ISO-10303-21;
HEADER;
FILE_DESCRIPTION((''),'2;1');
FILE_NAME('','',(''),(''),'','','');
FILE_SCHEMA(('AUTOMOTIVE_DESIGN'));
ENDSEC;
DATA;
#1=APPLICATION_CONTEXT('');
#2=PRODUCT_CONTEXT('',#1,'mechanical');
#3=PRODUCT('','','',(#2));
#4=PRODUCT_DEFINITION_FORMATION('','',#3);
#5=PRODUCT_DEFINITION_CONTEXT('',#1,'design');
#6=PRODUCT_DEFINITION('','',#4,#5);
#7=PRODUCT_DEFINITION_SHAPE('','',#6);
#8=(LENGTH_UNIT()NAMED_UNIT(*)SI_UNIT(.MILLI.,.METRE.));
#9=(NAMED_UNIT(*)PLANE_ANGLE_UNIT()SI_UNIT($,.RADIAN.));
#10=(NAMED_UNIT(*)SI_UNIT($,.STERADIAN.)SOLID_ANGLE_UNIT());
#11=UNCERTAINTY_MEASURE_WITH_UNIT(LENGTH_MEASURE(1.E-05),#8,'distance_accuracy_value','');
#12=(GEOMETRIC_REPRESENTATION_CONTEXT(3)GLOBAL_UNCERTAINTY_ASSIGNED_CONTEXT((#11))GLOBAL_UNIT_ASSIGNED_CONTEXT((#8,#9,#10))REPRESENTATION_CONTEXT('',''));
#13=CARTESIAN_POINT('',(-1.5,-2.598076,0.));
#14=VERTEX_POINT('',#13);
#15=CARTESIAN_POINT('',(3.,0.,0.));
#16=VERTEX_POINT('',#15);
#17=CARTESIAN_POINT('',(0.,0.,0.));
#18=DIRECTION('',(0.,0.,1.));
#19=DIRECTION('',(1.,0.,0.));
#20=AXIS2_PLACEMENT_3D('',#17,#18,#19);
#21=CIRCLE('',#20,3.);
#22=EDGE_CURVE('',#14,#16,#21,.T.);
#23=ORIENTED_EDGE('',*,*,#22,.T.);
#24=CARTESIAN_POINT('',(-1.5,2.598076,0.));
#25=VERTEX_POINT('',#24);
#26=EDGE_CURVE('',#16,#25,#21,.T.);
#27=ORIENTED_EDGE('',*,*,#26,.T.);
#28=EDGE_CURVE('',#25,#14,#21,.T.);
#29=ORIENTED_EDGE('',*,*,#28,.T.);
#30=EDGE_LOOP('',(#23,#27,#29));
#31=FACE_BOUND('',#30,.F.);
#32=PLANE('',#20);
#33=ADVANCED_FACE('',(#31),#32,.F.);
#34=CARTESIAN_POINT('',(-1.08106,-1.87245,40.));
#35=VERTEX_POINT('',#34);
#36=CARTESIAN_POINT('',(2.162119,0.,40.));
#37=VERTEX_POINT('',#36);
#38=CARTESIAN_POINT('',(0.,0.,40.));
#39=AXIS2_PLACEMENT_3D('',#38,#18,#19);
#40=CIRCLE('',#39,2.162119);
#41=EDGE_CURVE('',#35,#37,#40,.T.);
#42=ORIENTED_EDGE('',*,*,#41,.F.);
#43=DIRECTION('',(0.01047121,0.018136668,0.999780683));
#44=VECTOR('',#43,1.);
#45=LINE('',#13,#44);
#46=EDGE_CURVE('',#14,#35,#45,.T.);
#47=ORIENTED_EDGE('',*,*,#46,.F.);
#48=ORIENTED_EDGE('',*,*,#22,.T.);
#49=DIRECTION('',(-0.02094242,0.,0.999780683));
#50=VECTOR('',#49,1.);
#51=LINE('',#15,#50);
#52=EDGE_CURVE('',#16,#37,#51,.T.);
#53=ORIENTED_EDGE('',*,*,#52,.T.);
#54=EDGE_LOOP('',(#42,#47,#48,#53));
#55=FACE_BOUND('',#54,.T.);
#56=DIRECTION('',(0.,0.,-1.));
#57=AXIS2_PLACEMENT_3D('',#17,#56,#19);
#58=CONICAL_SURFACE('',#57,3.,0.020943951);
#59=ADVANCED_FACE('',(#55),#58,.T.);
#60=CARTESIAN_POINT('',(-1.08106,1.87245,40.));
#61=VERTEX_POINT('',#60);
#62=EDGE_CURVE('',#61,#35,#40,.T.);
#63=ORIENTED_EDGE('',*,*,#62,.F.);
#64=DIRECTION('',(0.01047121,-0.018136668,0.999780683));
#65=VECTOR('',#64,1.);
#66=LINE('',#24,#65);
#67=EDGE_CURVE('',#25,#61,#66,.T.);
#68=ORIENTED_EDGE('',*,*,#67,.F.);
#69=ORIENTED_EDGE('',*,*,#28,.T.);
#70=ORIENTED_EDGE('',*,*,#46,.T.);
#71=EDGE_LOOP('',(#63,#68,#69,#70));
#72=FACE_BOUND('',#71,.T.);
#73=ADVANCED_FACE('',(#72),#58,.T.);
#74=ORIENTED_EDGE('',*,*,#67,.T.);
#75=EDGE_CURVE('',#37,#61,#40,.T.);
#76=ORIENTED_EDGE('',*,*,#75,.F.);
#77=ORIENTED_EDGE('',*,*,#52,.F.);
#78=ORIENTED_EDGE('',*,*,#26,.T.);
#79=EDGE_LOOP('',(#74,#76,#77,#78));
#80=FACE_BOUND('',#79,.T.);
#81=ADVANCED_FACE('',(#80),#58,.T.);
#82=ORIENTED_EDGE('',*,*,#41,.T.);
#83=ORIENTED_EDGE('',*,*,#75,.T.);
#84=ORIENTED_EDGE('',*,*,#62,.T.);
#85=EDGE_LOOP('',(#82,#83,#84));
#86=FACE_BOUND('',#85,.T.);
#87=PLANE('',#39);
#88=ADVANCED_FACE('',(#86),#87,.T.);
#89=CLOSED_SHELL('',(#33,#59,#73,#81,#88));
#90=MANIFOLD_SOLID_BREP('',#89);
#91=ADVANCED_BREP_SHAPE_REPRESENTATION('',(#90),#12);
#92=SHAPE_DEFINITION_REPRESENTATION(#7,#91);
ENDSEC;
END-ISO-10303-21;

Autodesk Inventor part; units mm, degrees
ref_plane "YZ Plane" through (0, 0, 0) normal (1, 0, 0) x (0, 1, 0)
ref_plane "XZ Plane" through (0, 0, 0) normal (0, 1, 0) x (-1, 0, 0)
ref_plane "XY Plane" through (0, 0, 0) normal (0, 0, 1) x (1, 0, 0)
sketch "Sketch1" plane through (0, 0, 0) normal (0, 0, 1) x (1, 0, 0)
  circle A0 centre (0, 0) radius 3
  dimension "d0" = 6
extrude "Extrusion1" add sketch "Sketch1" along normal blind 40 draft -1.2
properties part number "pin-2" material "Stainless Steel"
